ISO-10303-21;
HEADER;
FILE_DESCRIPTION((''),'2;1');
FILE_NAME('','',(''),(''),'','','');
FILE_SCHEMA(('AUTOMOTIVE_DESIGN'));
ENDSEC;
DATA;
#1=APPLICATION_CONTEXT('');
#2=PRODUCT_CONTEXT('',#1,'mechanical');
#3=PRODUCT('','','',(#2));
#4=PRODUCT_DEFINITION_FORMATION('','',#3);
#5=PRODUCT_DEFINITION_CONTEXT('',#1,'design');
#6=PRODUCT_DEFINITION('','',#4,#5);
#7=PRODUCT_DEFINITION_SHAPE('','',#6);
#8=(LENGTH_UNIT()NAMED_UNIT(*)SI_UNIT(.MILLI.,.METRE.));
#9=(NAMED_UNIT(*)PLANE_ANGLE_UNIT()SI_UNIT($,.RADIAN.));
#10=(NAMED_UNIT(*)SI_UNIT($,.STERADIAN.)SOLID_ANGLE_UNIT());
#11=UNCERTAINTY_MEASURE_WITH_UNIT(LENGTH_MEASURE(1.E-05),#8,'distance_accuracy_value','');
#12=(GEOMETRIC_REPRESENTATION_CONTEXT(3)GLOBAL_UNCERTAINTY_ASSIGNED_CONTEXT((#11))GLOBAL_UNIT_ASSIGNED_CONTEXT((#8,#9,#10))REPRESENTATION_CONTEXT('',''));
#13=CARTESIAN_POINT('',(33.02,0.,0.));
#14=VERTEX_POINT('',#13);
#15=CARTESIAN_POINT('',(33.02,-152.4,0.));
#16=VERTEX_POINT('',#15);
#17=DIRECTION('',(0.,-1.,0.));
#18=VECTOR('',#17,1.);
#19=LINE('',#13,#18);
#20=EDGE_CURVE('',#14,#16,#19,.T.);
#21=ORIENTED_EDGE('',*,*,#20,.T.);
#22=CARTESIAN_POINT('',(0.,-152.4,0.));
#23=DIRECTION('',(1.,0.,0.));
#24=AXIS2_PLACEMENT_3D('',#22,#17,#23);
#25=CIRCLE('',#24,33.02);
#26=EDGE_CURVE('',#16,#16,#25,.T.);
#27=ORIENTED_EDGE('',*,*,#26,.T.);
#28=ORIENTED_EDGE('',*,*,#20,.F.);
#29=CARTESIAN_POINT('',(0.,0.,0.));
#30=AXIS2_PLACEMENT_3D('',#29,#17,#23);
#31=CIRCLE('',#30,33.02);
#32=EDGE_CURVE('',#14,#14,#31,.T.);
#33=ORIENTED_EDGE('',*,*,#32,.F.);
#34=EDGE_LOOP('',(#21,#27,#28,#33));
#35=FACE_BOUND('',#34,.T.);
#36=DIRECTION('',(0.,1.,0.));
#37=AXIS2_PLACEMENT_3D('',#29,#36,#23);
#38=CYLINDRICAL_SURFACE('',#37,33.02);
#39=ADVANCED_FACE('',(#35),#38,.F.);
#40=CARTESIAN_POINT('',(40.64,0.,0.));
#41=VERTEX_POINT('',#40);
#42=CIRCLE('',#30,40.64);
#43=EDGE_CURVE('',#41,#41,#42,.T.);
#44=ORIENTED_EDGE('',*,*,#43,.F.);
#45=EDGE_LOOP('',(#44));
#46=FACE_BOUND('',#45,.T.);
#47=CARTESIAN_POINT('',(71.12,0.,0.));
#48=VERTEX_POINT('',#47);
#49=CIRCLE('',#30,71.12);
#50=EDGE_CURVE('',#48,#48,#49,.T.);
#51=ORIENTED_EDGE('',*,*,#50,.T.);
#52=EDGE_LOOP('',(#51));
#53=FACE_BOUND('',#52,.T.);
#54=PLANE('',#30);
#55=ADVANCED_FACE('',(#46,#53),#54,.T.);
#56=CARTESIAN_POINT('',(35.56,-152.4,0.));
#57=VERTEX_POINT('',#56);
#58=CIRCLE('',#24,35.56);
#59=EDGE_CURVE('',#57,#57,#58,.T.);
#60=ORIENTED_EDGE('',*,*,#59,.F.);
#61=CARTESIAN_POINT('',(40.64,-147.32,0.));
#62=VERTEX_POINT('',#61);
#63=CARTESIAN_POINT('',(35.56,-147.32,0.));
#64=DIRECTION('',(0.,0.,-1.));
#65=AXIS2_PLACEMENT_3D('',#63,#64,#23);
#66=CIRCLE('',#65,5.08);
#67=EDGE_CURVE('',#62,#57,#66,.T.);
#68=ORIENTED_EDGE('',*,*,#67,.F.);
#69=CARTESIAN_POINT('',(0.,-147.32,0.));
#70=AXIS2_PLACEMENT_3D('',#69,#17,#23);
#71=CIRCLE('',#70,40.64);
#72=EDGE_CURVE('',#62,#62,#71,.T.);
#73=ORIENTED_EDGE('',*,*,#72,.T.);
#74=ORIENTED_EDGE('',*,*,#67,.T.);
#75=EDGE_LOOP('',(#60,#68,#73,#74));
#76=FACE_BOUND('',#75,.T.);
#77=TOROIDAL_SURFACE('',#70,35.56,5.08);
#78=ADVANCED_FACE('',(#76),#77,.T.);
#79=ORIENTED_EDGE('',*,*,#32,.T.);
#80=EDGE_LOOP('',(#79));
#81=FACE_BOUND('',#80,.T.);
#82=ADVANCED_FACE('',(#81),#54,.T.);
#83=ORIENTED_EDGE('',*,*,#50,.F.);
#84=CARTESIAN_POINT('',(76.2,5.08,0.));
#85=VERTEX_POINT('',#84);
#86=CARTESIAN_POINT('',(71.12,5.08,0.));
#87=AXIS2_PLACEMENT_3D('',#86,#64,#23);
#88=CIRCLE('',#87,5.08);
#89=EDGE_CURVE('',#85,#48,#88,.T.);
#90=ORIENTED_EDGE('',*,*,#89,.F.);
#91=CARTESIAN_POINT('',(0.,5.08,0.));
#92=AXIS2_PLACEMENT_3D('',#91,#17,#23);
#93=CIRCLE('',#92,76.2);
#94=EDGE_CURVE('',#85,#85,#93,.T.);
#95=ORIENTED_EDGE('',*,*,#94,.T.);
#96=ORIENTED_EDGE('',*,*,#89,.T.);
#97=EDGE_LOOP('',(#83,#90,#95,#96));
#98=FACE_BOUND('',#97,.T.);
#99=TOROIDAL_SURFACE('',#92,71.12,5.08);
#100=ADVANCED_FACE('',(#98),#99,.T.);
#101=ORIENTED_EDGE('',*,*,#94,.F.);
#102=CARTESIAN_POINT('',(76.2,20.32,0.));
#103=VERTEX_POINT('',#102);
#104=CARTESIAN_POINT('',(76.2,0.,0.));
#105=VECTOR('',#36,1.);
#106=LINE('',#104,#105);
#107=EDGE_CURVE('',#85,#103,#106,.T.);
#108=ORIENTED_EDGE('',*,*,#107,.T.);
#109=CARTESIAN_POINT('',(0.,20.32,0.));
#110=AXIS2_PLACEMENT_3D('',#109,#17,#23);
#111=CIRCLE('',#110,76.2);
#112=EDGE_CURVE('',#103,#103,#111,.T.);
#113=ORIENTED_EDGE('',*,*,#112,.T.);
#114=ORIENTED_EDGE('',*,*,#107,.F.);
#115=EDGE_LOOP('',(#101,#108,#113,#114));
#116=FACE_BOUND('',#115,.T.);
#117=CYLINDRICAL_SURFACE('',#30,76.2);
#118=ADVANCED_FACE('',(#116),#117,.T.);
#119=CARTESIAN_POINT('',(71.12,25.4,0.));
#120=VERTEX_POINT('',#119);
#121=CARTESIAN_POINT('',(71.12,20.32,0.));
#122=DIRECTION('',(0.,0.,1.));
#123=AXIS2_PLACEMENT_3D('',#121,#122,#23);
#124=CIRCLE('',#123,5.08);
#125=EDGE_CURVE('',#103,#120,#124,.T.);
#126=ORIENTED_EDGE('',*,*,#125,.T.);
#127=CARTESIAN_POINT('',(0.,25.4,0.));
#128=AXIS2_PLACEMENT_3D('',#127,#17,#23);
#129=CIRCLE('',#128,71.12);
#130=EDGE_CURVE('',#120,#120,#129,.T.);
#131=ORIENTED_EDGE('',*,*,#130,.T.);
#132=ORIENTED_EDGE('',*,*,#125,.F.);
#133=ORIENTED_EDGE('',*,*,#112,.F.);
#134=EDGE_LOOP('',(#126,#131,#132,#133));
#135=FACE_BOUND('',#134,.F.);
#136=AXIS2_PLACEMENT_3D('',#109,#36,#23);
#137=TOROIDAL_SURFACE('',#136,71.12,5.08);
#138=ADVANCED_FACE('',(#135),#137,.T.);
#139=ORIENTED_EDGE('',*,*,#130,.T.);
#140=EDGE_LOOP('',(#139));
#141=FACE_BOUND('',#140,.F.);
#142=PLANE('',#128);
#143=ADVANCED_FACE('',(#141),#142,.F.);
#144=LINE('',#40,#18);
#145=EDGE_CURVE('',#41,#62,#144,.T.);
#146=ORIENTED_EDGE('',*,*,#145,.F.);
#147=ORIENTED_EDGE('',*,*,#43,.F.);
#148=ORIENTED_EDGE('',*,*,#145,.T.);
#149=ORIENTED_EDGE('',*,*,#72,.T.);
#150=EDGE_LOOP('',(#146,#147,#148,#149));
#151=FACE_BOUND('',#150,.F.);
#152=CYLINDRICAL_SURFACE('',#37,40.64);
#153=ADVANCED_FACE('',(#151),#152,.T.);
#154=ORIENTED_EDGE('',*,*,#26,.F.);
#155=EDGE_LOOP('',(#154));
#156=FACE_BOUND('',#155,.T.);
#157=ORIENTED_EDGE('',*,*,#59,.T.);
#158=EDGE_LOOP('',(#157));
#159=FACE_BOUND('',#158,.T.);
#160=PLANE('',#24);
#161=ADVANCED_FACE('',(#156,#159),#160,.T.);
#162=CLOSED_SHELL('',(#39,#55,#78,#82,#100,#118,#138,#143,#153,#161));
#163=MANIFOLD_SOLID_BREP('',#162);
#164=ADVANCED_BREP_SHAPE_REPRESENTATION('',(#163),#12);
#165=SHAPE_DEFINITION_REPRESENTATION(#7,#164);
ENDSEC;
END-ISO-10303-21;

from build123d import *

# Parameters (mm, degrees)
F0_R     = 40.64
F0_R_2   = 33.02
F1_DEPTH = 152.4
F2_R     = 76.2
F3_DEPTH = 25.4
F4_R     = 5.08
F5_R     = 5.08


with BuildPart() as f1:
    # F0 (on Front) → F1 (new body)
    with BuildSketch(Plane.XZ):
        Circle(F0_R)
        Circle(F0_R_2, mode=Mode.SUBTRACT)
    extrude(amount=F1_DEPTH)

    # F2 (on Front) → F3 (join)
    with BuildSketch(Plane.XZ):
        Circle(F2_R)
    extrude(amount=-F3_DEPTH)

    # F4
    f4_edges = [f1.edges().sort_by_distance(p)[0] for p in [
        (76.2, 12.7, 0),
        (-76.2, 0, 0),
        (-76.2, 25.4, 0),
    ]]
    fillet(f4_edges, radius=F4_R)

    # F5
    f5_edges = [f1.edges().sort_by_distance(p)[0] for p in [
        (-40.64, -152.4, 0),
    ]]
    fillet(f5_edges, radius=F5_R)


solid = f1.part
